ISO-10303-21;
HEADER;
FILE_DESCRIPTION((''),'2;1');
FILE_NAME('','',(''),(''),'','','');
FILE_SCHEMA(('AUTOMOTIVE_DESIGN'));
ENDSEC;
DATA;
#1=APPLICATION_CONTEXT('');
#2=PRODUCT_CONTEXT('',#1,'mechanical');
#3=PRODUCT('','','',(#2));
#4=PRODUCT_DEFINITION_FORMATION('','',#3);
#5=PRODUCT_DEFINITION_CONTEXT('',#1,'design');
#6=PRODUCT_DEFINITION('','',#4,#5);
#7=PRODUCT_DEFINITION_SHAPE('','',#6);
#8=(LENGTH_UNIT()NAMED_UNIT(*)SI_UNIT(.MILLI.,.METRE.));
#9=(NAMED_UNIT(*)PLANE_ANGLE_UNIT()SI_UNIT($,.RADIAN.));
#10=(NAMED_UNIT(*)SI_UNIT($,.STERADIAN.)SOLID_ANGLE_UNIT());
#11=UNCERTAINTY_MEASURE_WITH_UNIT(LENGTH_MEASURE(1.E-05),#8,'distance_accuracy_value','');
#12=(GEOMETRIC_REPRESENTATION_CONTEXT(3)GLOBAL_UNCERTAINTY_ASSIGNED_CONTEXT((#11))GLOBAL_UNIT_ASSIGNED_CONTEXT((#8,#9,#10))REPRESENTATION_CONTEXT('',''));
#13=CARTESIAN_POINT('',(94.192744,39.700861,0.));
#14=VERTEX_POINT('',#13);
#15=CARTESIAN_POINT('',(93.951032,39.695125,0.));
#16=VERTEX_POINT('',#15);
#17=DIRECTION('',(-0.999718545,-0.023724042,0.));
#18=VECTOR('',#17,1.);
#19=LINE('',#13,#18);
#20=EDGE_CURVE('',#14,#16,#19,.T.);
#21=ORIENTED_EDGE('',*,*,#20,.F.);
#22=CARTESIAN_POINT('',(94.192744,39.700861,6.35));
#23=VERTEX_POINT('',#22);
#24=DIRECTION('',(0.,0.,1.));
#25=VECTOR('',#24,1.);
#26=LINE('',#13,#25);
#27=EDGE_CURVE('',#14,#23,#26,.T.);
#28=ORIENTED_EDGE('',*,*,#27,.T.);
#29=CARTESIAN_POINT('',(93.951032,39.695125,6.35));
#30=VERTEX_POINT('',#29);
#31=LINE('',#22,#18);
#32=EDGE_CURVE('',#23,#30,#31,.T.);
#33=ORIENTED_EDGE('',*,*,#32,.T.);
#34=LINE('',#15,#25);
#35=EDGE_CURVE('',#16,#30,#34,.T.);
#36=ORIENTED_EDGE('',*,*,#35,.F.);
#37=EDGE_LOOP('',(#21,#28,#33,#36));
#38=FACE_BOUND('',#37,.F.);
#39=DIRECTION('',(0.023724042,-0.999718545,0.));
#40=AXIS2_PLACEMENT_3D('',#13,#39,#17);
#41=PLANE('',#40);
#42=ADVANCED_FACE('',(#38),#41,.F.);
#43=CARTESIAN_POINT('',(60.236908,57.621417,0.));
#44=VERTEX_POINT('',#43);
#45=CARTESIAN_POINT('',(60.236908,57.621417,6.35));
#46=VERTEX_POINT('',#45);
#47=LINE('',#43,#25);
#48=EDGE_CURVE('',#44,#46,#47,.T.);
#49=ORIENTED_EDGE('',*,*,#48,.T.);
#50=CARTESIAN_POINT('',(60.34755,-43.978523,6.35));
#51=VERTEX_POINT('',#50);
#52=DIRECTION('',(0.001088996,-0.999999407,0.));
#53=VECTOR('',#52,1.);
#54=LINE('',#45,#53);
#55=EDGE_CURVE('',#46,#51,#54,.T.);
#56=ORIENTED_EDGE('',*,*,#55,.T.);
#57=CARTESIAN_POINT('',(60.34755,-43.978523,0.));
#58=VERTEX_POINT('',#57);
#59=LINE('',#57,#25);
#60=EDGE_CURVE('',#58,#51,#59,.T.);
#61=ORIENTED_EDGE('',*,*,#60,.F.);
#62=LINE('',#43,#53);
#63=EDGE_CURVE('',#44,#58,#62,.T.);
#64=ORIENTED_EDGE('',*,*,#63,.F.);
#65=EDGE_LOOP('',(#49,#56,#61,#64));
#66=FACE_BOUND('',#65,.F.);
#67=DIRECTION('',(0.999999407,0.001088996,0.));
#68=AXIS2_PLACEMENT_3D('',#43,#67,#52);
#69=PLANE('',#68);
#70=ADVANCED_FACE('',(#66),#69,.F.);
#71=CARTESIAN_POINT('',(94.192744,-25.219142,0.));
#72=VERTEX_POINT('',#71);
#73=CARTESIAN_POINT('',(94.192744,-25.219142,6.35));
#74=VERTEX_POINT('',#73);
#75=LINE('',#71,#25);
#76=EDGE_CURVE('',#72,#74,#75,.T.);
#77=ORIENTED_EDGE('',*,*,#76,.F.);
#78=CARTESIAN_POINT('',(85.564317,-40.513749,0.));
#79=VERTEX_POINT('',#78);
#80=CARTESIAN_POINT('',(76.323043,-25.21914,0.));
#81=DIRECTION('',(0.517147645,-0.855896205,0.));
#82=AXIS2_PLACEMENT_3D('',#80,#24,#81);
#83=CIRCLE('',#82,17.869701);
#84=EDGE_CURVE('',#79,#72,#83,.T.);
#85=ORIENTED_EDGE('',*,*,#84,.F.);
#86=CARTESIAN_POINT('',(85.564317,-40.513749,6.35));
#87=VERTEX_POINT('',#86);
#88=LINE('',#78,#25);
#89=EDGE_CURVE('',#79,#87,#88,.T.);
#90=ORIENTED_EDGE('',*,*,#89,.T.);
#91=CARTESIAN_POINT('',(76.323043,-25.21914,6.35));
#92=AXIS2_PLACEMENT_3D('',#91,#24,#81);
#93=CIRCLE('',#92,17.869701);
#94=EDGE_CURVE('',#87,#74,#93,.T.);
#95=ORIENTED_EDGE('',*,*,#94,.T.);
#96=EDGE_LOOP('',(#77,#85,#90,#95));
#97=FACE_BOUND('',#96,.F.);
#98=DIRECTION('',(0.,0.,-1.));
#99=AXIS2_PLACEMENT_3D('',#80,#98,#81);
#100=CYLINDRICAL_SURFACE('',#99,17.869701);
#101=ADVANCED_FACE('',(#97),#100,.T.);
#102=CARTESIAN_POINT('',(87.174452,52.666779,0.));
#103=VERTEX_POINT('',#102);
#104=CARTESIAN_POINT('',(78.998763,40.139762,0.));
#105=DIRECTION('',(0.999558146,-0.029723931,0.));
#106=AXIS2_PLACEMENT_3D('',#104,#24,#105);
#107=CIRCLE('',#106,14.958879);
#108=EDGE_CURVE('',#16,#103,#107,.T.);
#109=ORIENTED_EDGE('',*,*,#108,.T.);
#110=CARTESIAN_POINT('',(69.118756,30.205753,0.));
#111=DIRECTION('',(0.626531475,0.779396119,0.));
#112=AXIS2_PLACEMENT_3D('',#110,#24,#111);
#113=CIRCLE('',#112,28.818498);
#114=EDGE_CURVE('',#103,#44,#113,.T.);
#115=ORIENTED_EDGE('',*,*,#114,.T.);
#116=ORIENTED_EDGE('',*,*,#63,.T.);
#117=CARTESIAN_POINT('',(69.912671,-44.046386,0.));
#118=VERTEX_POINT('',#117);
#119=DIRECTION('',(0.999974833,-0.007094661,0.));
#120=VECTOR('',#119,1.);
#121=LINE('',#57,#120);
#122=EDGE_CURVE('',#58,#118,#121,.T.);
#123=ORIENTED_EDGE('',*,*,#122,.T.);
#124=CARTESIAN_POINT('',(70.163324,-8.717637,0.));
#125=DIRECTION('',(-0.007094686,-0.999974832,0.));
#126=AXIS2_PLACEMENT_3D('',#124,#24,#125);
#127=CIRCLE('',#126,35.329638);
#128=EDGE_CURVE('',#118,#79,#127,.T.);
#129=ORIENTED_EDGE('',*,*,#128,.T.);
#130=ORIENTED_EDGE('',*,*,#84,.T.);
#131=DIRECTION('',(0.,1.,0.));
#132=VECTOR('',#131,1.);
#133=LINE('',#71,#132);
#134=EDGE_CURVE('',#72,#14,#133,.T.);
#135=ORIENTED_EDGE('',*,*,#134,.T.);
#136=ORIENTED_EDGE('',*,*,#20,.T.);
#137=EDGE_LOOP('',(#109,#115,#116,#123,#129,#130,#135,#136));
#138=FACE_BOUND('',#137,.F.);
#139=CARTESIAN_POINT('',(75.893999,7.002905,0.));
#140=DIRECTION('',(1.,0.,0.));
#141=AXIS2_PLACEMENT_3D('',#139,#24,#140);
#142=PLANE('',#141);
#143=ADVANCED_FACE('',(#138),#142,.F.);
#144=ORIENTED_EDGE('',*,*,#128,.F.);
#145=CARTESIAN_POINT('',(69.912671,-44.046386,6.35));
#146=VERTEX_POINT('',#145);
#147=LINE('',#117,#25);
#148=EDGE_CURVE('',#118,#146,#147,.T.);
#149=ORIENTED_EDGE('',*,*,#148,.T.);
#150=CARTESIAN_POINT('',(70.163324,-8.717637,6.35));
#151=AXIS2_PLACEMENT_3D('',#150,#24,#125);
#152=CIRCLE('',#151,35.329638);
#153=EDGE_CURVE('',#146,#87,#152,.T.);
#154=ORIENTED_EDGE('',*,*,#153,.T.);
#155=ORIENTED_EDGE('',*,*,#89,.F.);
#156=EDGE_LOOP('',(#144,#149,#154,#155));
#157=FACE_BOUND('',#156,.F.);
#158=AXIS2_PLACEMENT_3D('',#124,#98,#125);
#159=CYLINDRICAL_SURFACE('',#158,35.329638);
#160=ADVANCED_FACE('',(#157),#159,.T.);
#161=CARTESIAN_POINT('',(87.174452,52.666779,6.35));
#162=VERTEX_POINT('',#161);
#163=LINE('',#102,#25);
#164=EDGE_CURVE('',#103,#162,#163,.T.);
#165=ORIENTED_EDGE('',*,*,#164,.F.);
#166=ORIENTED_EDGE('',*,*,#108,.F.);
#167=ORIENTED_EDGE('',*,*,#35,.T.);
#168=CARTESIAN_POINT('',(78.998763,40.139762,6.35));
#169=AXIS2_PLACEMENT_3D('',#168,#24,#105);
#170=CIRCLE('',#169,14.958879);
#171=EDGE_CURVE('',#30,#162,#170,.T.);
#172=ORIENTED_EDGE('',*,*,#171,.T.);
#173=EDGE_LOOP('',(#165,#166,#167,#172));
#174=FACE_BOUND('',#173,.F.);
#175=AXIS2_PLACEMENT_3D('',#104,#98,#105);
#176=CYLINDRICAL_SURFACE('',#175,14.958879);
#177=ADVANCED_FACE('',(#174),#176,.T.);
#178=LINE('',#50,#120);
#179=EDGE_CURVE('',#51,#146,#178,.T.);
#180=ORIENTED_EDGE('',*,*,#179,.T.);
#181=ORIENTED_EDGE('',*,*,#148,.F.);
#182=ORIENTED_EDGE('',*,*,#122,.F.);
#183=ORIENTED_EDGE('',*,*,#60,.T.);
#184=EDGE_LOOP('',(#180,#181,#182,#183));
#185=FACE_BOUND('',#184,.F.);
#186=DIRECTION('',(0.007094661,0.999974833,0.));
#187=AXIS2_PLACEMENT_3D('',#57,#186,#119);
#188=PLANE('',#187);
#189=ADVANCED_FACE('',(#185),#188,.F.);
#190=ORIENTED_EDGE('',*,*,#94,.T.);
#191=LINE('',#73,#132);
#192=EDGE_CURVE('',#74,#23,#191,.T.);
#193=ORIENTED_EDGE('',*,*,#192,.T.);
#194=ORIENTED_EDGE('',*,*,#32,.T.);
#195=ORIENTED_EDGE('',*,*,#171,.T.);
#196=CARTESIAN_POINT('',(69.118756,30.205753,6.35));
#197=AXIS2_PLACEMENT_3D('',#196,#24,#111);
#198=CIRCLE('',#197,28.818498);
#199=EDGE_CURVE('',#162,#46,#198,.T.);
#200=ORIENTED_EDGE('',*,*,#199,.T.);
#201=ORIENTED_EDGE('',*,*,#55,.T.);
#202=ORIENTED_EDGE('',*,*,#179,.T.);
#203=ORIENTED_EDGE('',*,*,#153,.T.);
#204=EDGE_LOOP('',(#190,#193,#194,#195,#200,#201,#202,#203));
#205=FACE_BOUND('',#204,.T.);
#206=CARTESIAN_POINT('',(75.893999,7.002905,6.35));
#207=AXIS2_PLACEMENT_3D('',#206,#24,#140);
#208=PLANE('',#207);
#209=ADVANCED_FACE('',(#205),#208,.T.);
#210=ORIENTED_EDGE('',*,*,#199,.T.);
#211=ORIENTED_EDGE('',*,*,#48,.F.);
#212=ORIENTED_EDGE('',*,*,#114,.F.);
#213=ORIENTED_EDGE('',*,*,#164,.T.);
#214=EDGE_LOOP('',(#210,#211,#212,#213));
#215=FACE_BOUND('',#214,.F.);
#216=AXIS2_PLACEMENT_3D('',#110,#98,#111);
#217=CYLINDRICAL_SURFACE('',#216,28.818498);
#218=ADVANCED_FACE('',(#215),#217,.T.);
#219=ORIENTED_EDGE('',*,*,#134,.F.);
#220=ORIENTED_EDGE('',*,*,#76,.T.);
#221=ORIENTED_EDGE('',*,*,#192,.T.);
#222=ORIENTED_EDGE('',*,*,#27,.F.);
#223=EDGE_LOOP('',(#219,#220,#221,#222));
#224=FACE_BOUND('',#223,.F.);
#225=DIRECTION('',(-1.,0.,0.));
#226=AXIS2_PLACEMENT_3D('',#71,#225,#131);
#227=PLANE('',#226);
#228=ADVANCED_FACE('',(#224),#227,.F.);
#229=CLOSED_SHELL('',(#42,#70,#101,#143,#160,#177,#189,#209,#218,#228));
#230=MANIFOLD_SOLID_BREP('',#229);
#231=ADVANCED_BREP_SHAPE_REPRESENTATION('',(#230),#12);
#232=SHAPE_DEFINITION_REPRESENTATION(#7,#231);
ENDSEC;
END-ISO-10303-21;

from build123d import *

# Parameters (mm, degrees)
F1_DEPTH = 6.35


with BuildPart() as f1:
    # F0 (on Top) → F1 (new body)
    with BuildSketch(Plane.XY):
        with BuildLine():
            ThreePointArc((93.951032, 39.695125), (92.257404, 47.066268), (87.174452, 52.666779))
            ThreePointArc((87.174452, 52.666779), (74.33191, 58.54881), (60.236908, 57.621417))
            Line((60.236908, 57.621417), (60.34755, -43.978523))
            Line((60.34755, -43.978523), (69.912671, -44.046386))
            ThreePointArc((69.912671, -44.046386), (77.941697, -43.180374), (85.564317, -40.513749))
            ThreePointArc((85.564317, -40.513749), (91.886863, -33.999443), (94.192744, -25.219142))
            Line((94.192744, -25.219142), (94.192744, 39.700861))
            Line((94.192744, 39.700861), (93.951032, 39.695125))
        make_face()
    extrude(amount=F1_DEPTH)


solid = f1.part
